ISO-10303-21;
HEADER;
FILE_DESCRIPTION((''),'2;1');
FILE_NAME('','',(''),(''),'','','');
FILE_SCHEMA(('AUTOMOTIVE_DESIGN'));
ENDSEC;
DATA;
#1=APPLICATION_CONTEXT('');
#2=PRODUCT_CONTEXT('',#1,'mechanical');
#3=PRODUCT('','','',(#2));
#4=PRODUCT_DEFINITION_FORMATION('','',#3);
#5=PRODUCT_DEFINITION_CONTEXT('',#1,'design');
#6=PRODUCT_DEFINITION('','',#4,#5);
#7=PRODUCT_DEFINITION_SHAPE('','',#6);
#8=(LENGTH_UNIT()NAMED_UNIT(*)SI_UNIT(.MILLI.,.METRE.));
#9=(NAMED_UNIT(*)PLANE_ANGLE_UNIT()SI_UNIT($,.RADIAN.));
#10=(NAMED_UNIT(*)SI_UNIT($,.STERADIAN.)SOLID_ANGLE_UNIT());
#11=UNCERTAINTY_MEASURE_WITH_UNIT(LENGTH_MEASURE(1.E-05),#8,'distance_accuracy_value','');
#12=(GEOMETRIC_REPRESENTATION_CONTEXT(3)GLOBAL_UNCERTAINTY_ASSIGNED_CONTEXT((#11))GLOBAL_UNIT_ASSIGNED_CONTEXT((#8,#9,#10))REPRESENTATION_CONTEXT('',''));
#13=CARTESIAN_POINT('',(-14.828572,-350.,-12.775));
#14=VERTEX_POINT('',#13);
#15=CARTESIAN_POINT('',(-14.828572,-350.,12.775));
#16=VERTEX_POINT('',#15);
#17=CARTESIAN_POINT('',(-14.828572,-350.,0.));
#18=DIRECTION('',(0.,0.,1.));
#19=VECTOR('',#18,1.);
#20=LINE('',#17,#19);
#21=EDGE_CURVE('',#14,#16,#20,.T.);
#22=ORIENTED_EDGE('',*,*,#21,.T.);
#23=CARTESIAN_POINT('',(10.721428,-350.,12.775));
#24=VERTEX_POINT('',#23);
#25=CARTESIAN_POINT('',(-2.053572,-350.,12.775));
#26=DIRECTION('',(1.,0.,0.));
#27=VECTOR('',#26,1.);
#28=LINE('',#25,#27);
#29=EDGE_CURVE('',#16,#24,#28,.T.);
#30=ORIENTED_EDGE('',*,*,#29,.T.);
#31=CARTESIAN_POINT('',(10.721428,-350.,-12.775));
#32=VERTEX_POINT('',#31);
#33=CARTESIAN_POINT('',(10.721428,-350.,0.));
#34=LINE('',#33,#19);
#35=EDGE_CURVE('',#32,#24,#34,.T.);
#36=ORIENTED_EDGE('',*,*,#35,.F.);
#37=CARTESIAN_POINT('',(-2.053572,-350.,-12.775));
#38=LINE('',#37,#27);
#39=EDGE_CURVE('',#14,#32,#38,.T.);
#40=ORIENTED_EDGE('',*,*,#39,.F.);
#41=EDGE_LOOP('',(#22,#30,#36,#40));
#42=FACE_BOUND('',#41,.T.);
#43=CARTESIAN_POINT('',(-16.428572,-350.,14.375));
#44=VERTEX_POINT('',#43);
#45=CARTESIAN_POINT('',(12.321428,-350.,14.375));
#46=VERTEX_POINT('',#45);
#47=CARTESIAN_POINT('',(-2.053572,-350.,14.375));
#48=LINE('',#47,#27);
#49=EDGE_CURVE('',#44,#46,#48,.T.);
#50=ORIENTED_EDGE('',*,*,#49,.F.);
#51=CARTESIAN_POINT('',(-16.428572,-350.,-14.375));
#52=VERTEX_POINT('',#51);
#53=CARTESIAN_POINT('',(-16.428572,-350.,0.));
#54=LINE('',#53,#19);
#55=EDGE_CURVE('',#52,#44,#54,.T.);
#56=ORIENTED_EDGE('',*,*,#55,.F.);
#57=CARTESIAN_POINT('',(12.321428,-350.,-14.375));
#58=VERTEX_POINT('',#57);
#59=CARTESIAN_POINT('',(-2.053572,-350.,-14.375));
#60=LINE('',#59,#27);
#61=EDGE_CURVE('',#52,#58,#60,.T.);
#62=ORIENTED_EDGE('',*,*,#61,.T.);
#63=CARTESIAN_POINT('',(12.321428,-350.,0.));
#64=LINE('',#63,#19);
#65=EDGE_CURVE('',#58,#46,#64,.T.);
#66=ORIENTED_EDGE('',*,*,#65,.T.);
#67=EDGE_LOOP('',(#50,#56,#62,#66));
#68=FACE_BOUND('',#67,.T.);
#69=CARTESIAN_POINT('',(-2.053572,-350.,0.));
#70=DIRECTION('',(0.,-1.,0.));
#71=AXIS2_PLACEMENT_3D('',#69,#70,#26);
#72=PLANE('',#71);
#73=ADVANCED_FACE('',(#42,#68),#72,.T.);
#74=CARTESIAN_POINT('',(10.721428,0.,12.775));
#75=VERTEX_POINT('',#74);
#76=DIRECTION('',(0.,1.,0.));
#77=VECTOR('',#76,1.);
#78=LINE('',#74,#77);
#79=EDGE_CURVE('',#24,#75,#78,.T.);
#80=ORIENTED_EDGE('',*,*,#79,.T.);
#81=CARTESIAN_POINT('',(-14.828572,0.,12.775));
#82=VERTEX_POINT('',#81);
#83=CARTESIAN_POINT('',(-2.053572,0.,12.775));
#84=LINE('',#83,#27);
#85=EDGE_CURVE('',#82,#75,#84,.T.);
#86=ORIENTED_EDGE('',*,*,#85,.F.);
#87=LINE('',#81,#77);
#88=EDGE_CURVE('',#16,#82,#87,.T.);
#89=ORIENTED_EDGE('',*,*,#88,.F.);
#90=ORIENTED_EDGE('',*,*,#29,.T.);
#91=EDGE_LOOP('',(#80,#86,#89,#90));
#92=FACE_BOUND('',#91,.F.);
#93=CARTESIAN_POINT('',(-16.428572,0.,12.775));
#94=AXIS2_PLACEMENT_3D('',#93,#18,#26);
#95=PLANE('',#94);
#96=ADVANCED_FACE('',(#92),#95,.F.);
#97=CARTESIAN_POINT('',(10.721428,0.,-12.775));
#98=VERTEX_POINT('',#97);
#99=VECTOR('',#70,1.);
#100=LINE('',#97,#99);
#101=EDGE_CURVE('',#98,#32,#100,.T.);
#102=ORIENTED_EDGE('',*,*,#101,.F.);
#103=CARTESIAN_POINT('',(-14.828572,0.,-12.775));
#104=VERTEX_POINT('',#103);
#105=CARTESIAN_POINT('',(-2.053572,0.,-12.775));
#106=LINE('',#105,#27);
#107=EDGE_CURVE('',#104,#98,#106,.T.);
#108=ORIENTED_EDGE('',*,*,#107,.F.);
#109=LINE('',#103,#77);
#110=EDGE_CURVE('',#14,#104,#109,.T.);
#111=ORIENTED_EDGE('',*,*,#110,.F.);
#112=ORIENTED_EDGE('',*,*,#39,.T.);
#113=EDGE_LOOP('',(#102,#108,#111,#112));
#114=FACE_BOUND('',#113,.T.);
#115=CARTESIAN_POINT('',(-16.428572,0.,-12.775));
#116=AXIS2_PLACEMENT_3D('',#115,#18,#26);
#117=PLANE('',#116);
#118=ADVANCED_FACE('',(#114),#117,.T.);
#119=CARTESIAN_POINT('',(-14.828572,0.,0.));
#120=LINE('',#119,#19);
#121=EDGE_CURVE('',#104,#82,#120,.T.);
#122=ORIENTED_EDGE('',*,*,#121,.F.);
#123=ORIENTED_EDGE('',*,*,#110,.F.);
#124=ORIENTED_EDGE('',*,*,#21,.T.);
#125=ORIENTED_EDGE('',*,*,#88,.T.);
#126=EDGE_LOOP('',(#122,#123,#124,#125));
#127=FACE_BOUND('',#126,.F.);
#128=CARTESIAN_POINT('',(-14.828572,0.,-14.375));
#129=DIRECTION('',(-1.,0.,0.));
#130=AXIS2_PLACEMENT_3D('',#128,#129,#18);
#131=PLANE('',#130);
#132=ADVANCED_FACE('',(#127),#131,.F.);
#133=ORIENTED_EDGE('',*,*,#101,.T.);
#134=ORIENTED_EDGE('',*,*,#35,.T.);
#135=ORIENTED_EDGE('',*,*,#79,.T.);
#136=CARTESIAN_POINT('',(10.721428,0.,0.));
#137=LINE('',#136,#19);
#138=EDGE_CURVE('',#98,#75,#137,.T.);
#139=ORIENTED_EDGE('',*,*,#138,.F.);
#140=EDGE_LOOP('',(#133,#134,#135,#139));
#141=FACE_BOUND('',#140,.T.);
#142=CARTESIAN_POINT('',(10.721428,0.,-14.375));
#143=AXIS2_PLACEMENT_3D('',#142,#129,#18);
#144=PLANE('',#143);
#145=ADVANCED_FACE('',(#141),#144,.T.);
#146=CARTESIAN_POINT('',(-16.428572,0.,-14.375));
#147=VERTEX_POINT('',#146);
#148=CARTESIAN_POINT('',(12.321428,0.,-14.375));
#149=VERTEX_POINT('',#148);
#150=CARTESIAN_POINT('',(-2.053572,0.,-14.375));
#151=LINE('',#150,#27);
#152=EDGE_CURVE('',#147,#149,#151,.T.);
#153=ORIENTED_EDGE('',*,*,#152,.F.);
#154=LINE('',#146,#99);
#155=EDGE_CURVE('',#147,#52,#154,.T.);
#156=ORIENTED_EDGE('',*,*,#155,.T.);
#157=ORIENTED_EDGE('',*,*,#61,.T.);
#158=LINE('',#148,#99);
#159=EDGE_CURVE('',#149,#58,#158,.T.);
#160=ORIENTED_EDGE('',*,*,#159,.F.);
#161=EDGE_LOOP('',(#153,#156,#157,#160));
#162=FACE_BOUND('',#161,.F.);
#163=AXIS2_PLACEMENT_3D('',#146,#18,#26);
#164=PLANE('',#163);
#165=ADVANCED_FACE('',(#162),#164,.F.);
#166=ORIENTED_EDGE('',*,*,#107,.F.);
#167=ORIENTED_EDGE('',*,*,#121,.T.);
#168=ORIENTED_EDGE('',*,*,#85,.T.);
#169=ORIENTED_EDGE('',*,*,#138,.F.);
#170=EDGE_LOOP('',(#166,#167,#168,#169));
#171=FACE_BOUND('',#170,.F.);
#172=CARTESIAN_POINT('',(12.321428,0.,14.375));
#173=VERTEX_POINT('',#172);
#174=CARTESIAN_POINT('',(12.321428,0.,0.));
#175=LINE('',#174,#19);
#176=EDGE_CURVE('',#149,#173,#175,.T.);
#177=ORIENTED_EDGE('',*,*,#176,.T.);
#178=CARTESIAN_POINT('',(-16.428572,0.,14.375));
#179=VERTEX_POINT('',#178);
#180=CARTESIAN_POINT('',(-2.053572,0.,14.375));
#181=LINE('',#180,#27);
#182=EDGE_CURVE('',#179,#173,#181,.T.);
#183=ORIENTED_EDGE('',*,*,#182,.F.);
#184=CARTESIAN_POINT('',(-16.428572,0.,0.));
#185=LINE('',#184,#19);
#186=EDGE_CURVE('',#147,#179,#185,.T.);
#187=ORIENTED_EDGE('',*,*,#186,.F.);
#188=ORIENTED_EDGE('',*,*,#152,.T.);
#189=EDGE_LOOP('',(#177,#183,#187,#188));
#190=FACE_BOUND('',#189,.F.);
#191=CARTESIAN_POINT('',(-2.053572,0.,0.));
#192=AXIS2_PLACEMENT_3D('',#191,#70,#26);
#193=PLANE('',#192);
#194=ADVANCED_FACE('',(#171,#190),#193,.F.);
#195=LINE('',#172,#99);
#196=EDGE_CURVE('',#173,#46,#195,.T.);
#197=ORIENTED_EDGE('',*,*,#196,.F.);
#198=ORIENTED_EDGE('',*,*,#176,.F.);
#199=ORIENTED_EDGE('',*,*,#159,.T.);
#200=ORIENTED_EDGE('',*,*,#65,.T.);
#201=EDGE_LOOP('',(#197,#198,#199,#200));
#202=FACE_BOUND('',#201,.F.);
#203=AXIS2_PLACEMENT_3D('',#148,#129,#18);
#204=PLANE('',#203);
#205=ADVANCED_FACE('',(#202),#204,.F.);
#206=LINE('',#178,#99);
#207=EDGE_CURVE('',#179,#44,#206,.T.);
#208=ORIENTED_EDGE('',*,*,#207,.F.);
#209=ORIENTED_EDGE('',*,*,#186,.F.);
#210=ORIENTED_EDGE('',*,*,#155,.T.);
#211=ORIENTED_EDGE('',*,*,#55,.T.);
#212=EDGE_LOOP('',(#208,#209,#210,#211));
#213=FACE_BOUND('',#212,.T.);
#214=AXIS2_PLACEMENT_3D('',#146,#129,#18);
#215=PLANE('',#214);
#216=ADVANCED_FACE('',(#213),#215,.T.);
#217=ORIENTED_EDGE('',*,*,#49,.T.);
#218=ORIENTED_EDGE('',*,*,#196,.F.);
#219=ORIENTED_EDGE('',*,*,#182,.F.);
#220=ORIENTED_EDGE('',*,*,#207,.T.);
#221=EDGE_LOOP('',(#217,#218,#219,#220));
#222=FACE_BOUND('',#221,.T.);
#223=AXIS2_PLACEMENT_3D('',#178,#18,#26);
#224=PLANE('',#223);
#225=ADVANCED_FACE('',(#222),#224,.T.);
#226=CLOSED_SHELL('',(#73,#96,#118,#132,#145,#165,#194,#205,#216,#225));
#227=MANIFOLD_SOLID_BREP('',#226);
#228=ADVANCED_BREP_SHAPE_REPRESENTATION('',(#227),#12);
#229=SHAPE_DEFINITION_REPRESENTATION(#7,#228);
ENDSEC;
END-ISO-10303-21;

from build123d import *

# Parameters (mm, degrees)
F0_W     = 28.75
F0_H     = 28.75
F1_DEPTH = 350
F2_T     = -1.6


with BuildPart() as f1:
    # F0 (on Front) → F1 (new body)
    with BuildSketch(Plane.XZ):
        with Locations((-2.053572, 0)):
            Rectangle(F0_W, F0_H)
    extrude(amount=F1_DEPTH)

    # F2
    f2_openings = [f1.faces().sort_by_distance(p)[0] for p in [
        (-2.053572, -350, 0),
        (-2.053572, 0, 0),
    ]]
    offset(amount=F2_T, openings=f2_openings)


solid = f1.part
